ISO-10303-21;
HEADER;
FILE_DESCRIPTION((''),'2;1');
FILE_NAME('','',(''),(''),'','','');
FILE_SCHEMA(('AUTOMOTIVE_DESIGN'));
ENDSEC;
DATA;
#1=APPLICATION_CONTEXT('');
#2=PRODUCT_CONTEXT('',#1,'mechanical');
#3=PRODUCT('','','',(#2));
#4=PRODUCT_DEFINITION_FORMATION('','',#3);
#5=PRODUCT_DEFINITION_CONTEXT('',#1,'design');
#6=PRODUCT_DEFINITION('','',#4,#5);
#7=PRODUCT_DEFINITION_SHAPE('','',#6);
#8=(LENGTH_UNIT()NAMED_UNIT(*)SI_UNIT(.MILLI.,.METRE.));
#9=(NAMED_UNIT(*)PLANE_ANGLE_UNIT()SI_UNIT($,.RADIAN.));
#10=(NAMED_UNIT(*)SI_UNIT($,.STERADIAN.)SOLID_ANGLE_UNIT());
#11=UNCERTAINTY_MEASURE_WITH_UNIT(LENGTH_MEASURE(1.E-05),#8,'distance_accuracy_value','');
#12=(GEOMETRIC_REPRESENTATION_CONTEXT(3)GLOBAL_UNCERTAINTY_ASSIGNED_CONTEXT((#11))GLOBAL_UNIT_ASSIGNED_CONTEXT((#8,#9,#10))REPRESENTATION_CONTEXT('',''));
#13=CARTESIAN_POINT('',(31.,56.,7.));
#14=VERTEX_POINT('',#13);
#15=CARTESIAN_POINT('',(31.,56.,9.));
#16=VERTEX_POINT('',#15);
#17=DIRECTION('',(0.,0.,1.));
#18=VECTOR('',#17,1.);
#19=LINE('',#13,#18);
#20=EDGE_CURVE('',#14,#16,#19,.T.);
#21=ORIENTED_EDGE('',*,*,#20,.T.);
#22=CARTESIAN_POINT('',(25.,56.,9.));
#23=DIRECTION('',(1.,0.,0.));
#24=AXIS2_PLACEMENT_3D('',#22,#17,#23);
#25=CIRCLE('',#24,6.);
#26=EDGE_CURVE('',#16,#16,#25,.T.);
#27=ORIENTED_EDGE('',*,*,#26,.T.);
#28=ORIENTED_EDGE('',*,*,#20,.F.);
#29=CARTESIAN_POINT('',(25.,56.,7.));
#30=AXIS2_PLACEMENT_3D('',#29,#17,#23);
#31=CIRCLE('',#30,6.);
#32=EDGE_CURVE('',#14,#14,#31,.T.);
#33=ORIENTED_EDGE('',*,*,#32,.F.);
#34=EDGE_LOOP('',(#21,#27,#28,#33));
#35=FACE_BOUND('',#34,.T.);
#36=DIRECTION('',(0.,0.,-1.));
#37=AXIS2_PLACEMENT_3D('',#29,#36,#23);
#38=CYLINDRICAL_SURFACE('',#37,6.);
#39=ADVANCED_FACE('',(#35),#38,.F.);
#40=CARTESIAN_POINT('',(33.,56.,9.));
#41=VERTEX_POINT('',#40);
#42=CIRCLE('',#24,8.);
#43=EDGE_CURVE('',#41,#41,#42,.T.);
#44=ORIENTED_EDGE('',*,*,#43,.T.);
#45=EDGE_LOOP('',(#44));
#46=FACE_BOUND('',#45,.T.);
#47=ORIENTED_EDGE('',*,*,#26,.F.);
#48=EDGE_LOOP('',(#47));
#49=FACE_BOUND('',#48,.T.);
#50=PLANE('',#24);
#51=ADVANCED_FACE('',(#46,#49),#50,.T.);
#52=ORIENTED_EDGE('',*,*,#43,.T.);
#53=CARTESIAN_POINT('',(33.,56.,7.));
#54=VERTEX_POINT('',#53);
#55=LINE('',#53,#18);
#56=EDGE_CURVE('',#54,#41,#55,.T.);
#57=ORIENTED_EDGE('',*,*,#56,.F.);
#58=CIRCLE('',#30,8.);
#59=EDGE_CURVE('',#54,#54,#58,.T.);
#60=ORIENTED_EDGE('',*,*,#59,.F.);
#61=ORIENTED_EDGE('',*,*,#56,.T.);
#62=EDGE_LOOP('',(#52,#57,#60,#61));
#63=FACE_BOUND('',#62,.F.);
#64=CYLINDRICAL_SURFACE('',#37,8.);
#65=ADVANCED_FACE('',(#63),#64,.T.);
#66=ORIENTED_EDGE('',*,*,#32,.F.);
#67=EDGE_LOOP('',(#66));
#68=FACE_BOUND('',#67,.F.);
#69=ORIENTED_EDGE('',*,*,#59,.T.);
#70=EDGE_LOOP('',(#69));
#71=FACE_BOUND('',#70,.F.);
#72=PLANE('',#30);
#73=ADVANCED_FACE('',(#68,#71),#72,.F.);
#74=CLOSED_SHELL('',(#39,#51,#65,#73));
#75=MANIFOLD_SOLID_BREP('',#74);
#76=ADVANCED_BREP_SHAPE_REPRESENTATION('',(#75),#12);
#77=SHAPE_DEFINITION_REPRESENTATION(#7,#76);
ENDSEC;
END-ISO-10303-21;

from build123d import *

# Parameters (mm, degrees)
CYLINDER026_R     = 6
CYLINDER026_DEPTH = 2
CYLINDER025_R     = 8
CYLINDER025_DEPTH = 2


with BuildPart() as cilindro009:
    # Cylinder026 → Cylinder026 (new body)
    with BuildSketch(Plane(origin=(25, 56, 0), x_dir=(1, 0, 0), z_dir=(0, 0, 1))):
        Circle(CYLINDER026_R)
    extrude(amount=CYLINDER026_DEPTH)


with BuildPart() as brida008:
    # Cylinder025 → Cylinder025 (new body)
    with BuildSketch(Plane(origin=(25, 56, 0), x_dir=(1, 0, 0), z_dir=(0, 0, 1))):
        Circle(CYLINDER025_R)
    extrude(amount=CYLINDER025_DEPTH)

    # Cut017: cut Cilindro009
    add(cilindro009.part, mode=Mode.SUBTRACT)


with BuildPart() as brida008_1:
    # Cut017 placement: moved
    add(brida008.part.moved(Location((0, 0, 7))))


solid = brida008_1.part
